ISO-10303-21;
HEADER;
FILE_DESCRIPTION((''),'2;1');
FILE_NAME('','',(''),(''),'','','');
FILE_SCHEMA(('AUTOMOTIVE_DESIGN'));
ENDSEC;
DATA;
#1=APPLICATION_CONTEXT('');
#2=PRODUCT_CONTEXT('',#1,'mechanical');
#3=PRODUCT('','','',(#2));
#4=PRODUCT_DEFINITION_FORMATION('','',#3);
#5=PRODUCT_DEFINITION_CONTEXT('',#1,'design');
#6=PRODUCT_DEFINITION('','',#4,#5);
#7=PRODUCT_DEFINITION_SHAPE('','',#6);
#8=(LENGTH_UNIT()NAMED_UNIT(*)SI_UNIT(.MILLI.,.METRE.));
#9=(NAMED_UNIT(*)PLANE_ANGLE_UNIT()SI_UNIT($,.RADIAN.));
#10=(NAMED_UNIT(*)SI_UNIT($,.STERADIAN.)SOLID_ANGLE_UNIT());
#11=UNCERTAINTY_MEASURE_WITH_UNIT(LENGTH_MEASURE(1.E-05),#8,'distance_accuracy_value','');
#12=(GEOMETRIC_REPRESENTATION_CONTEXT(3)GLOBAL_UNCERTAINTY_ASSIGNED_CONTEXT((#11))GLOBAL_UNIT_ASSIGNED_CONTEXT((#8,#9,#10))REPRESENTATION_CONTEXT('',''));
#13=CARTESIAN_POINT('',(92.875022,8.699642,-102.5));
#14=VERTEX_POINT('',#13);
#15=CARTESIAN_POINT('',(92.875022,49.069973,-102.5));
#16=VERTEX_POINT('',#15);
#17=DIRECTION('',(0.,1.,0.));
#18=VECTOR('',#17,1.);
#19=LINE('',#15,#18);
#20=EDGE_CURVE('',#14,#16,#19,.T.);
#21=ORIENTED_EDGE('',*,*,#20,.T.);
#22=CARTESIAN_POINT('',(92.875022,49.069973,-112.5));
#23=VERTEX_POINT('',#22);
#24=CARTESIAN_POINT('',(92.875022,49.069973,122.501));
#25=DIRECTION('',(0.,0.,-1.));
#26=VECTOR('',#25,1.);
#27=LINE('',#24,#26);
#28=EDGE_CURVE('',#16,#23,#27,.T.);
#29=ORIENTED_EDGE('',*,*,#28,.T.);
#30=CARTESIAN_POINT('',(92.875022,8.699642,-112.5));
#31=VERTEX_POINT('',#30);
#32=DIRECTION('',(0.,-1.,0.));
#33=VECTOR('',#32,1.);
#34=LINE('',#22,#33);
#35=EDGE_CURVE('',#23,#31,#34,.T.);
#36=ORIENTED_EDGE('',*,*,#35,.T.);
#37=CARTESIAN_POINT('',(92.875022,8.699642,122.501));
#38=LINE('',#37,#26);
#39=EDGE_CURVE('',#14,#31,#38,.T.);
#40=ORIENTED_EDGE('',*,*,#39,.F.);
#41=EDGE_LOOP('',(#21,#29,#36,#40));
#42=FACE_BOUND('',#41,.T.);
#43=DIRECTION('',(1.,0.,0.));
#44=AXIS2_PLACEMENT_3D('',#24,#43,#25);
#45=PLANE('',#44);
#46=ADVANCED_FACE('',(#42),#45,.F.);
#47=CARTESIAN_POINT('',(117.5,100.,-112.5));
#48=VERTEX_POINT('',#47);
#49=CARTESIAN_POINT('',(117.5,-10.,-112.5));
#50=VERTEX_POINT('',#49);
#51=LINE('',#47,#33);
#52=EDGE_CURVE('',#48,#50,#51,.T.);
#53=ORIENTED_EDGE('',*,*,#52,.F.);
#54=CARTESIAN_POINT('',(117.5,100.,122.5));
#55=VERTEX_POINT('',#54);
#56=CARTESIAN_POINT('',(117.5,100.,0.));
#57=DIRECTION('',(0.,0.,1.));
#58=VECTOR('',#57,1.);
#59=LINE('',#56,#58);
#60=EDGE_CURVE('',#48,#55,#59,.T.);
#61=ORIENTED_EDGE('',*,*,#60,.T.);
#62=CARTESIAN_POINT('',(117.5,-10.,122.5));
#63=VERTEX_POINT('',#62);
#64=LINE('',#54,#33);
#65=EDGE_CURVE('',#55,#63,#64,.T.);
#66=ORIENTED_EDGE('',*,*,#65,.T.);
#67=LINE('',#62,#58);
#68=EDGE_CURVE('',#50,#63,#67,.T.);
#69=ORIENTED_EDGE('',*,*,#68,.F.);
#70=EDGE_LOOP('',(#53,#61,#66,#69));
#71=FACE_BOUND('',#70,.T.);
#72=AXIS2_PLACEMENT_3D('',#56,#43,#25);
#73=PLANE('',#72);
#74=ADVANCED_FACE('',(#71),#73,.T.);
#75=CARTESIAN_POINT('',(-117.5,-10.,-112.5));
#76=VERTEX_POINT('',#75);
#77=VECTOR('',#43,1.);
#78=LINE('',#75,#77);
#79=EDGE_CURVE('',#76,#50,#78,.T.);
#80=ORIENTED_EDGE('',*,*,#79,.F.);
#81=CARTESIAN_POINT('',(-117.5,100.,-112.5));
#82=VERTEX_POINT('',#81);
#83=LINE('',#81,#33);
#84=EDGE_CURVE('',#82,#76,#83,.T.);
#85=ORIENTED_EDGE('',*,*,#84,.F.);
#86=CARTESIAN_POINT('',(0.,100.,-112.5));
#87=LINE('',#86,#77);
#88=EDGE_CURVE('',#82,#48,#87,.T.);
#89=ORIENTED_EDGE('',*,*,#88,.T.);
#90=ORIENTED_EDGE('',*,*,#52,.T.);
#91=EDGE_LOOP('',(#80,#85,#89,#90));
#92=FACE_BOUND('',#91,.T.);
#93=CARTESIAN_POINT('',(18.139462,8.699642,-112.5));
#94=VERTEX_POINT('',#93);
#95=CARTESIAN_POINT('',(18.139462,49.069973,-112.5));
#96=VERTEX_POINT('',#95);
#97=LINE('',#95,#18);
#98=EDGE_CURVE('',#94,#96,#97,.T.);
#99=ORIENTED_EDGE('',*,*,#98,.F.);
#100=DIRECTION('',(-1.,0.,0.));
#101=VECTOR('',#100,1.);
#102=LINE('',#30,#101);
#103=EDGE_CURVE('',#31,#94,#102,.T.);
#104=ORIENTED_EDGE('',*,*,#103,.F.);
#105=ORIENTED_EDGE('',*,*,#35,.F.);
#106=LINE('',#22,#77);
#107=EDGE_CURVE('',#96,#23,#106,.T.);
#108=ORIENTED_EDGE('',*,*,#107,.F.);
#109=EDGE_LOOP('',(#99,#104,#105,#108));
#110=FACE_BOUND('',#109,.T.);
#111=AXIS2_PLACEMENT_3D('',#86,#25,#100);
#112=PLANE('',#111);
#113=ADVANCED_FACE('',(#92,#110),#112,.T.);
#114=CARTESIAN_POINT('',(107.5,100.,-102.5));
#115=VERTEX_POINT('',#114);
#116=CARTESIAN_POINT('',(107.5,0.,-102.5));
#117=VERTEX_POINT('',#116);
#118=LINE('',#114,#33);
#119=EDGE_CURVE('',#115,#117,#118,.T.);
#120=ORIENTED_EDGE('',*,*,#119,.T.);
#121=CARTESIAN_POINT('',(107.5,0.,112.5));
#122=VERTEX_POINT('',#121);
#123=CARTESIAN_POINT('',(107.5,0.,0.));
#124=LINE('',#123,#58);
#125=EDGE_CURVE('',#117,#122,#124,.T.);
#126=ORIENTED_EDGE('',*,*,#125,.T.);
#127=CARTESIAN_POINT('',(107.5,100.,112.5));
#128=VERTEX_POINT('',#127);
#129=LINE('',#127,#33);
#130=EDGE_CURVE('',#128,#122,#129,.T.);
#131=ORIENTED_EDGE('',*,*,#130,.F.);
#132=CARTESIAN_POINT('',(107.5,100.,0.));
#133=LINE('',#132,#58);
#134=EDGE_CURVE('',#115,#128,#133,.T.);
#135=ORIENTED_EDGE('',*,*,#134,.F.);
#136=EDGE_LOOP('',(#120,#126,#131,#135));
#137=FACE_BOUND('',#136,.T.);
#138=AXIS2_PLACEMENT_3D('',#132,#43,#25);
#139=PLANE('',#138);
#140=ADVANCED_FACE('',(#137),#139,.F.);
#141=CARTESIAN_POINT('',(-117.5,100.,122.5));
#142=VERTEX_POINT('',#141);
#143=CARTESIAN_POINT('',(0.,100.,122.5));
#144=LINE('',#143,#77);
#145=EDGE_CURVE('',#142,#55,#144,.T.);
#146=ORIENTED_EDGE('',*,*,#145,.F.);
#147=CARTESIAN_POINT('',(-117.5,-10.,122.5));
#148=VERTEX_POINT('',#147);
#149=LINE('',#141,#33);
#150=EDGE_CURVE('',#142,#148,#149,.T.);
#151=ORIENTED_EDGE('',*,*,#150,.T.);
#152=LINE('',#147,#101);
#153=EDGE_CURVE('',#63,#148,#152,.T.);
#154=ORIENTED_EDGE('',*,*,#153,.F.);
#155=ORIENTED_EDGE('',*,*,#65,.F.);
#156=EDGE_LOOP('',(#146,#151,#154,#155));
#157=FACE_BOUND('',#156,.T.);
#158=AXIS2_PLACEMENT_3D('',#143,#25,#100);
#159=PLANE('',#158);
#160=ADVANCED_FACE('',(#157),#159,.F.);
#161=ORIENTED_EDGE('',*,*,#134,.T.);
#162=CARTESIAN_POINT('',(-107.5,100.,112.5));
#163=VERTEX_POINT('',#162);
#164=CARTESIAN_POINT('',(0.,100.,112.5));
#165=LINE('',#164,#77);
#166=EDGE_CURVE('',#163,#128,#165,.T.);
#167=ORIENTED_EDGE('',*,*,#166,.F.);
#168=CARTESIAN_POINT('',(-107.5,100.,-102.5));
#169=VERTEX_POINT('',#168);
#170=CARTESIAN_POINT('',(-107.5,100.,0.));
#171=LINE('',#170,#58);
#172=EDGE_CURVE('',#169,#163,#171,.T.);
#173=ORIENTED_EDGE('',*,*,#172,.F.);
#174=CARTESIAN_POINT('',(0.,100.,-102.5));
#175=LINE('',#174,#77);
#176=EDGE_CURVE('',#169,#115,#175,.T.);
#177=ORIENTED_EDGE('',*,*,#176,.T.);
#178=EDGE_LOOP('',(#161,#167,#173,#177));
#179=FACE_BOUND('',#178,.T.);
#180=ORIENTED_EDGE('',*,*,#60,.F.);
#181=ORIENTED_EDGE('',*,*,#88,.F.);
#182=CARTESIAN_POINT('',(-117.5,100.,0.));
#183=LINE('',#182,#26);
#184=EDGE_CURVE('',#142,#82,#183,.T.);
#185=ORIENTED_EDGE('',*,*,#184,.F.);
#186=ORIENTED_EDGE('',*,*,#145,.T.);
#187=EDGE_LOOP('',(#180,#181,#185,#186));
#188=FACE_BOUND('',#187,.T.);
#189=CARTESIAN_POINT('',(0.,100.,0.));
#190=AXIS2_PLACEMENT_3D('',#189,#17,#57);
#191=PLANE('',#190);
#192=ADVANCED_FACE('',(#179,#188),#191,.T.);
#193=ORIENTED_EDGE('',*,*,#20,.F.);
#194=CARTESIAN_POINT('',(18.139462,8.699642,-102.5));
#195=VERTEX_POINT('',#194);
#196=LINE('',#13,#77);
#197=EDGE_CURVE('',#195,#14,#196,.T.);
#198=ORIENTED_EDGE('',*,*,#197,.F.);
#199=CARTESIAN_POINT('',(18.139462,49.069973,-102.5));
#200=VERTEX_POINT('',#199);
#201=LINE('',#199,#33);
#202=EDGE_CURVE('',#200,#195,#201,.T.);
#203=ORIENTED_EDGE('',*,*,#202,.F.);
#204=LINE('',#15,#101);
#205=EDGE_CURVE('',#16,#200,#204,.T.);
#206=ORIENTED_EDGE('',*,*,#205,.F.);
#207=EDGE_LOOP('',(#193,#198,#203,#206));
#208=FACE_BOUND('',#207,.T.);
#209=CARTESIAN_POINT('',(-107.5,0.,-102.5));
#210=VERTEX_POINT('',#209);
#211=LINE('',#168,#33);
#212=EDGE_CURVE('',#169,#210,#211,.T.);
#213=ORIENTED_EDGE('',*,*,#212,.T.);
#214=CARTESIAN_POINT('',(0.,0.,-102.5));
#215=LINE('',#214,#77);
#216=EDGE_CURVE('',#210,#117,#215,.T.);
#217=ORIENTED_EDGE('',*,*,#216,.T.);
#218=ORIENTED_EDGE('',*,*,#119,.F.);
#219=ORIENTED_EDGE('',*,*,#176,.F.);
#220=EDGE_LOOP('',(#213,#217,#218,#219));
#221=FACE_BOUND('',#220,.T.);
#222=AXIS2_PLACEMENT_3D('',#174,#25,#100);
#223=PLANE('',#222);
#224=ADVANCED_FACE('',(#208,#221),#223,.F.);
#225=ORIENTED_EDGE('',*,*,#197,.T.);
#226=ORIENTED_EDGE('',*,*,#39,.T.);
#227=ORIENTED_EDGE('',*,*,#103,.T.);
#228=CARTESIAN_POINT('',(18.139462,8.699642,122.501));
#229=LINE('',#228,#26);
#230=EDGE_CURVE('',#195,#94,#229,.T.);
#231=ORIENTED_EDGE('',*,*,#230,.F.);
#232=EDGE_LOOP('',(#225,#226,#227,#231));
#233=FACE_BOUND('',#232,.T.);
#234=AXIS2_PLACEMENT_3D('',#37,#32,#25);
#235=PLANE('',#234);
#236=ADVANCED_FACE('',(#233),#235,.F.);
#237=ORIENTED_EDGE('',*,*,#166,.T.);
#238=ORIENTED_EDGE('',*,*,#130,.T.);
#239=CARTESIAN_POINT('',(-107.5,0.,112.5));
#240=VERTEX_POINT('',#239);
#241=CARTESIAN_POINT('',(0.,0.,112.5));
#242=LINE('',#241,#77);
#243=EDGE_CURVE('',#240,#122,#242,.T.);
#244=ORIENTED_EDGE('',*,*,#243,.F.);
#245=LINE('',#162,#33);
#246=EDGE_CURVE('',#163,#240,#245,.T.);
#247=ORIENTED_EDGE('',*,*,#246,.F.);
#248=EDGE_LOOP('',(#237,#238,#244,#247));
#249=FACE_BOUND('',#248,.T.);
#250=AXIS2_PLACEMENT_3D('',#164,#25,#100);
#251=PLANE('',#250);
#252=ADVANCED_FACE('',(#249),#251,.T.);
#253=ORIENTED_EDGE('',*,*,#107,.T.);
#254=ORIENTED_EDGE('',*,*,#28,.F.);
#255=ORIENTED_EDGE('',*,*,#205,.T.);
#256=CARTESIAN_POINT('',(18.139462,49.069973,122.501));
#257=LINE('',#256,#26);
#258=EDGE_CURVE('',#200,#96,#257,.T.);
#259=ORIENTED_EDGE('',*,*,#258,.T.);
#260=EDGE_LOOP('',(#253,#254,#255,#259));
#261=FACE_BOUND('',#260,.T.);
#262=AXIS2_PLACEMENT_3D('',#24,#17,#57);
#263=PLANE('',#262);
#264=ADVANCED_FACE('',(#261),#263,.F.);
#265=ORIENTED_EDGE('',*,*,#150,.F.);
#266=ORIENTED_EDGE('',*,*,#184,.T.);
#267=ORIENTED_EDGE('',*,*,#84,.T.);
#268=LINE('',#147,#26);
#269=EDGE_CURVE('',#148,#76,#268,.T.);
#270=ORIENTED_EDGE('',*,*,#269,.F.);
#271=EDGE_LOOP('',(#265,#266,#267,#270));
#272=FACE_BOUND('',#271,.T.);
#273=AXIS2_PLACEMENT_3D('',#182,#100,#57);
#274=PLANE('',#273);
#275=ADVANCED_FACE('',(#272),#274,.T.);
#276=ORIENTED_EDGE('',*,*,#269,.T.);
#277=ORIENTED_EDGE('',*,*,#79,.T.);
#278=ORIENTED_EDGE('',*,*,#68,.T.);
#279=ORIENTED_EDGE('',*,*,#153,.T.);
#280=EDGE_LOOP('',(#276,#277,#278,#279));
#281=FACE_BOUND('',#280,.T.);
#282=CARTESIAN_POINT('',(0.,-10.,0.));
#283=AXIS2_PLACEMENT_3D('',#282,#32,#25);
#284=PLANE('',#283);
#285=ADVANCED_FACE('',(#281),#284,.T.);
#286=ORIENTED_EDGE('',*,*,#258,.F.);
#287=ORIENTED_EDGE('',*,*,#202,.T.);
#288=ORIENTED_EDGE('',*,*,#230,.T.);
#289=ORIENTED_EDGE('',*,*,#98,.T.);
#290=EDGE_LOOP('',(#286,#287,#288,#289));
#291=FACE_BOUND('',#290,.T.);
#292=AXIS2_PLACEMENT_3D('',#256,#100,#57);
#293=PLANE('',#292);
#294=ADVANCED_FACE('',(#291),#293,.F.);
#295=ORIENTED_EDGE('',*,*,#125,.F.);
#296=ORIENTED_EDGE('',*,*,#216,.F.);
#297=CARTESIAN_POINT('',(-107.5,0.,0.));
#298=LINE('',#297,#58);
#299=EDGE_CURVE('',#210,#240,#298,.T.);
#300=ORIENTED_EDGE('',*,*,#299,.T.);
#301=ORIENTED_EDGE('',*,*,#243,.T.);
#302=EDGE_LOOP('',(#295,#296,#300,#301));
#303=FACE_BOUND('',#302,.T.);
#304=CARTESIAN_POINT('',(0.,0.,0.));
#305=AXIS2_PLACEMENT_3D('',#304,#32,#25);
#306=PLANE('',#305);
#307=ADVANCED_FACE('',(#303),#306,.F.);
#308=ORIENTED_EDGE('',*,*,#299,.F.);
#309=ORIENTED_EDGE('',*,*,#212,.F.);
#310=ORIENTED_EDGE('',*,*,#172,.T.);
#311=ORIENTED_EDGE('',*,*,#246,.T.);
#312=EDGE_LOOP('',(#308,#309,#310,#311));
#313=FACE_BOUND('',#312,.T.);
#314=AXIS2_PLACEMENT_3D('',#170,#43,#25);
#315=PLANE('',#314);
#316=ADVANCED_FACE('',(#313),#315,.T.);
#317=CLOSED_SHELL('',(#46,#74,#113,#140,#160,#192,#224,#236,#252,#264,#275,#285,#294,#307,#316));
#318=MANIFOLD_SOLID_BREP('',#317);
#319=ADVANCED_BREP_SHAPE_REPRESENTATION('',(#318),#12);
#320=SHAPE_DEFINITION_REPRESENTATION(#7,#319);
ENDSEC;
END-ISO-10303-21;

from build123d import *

# Parameters (mm, degrees)
IZIM2_W                     = 215
IZIM2_H                     = 215
Y_KSEKLIK_EKSTR_ZYON1_DEPTH = 100
IZIM3_W                     = 235
IZIM3_H                     = 235
Y_KSEKLIK_EKSTR_ZYON2_DEPTH = 10
KES_EKSTR_ZYON1_REACH       = 283.125
IZIM5_W                     = 74.73555952
IZIM5_H                     = 40.37033127


with BuildPart() as part:
    # Çizim2 → Yükseklik-Ekstrüzyon1 (new body)
    with BuildSketch(Plane(origin=(0, 0, 0), x_dir=(1, 0, 0), z_dir=(0, 1, 0))):
        Polygon((117.5, 112.5), (117.5, 102.5), (117.5, -112.5), (117.5, -122.5), (107.5, -122.5), (-107.5, -122.5), (-117.5, -122.5), (-117.5, -112.5), (-117.5, 112.5), (-107.5, 112.5), (107.5, 112.5), align=None)
        with Locations((0, -5)):
            Rectangle(IZIM2_W, IZIM2_H, mode=Mode.SUBTRACT)
    extrude(amount=Y_KSEKLIK_EKSTR_ZYON1_DEPTH)

    # Çizim3 → Yükseklik-Ekstrüzyon2 (add)
    with BuildSketch(Plane.XZ):
        with Locations((0, 5)):
            Rectangle(IZIM3_W, IZIM3_H)
    extrude(amount=Y_KSEKLIK_EKSTR_ZYON2_DEPTH)

    # Çizim5 → Kes-Ekstrüzyon1 (cut, up to next)
    with BuildSketch(Plane(origin=(0, 0, -112.5), x_dir=(-1, 0, 0), z_dir=(0, 0, -1)), mode=Mode.PRIVATE) as kes_ekstr_zyon1_sk1:
        with Locations((-55.507242177, 28.884807523)):
            Rectangle(IZIM5_W, IZIM5_H)
    kes_ekstr_zyon1_tool1 = extrude(kes_ekstr_zyon1_sk1.sketch, amount=-KES_EKSTR_ZYON1_REACH, mode=Mode.PRIVATE) & part.part
    add(kes_ekstr_zyon1_tool1.solids().sort_by_distance((55.507242, 28.884808, -112.5))[0], mode=Mode.SUBTRACT)


solid = part.part
